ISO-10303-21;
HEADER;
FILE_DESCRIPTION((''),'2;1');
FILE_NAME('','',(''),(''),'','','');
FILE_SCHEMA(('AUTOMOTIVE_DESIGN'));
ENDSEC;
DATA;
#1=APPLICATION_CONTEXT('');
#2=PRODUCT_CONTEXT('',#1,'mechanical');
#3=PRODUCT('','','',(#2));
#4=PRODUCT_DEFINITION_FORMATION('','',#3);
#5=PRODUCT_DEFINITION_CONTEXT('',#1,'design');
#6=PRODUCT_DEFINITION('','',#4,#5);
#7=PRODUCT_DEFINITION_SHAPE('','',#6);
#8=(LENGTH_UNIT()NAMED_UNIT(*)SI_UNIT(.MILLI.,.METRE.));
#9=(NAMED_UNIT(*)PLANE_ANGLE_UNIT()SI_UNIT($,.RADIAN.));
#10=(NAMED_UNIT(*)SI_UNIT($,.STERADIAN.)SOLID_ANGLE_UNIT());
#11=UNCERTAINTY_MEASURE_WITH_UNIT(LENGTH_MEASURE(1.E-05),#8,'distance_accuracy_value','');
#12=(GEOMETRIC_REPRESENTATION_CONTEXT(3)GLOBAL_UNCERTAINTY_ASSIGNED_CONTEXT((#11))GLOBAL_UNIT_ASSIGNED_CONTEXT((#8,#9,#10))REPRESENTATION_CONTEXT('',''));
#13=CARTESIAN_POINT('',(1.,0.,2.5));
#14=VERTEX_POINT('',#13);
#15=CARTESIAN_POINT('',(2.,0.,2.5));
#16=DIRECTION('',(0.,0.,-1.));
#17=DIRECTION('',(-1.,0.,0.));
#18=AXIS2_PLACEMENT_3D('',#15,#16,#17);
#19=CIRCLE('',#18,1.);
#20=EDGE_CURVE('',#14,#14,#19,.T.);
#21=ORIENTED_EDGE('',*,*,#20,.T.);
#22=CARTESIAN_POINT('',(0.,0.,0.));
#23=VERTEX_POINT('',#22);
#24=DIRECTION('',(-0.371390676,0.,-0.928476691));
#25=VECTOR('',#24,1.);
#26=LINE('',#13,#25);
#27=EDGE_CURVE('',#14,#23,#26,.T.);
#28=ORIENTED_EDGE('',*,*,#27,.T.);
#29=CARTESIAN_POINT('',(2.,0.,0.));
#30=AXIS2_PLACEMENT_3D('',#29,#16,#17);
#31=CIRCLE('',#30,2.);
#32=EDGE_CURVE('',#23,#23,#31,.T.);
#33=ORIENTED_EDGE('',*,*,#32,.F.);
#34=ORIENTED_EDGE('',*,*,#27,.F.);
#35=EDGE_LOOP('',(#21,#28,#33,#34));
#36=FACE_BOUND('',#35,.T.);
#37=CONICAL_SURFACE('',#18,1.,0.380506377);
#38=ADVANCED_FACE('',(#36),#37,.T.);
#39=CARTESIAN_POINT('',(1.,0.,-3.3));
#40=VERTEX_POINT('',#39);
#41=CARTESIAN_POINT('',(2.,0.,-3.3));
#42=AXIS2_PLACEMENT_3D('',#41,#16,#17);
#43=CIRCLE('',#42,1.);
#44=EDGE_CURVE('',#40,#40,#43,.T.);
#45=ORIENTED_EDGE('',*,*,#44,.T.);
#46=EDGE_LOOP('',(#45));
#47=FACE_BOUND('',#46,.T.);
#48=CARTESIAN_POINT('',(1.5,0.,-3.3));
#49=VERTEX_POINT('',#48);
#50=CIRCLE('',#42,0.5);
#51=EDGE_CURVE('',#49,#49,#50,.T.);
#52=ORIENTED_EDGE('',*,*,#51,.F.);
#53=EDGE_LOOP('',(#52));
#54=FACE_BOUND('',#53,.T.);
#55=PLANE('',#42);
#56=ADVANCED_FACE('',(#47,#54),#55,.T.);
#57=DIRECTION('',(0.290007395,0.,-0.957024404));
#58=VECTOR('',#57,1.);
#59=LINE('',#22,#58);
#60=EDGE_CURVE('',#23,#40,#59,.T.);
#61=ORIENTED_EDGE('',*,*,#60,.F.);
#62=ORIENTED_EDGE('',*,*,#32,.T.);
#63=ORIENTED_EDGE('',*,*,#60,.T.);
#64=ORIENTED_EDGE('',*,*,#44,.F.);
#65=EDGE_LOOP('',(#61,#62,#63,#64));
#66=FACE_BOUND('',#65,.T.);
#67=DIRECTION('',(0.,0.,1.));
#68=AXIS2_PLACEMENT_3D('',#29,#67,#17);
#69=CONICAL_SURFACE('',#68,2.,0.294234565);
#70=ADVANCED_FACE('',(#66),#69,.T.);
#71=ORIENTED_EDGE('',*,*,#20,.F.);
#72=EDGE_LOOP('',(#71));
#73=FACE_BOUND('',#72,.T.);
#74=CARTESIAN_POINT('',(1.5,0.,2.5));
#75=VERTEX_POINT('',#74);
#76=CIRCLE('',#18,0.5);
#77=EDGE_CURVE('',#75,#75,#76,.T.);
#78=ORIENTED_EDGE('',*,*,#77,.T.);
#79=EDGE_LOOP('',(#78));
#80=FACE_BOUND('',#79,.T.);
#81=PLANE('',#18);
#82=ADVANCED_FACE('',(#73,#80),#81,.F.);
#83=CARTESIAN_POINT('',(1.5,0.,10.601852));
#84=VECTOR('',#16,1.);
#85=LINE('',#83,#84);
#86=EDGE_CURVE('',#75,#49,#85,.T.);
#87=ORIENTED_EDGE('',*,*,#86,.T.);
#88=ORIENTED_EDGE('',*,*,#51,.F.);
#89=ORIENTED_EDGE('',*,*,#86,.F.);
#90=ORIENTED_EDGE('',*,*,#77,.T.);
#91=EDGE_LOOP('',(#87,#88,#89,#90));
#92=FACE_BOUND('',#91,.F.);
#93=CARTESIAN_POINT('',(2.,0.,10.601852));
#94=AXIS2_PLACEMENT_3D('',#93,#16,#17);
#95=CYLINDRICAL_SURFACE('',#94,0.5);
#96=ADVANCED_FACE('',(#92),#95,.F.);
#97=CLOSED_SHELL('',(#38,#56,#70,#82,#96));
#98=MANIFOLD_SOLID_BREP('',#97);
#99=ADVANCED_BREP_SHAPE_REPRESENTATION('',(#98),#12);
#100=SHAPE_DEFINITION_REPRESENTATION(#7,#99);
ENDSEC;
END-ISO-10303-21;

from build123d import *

# Parameters (mm, degrees)
F3_D = 1


with BuildPart() as f1:
    # F0 (on Front) → F1 (revolve)
    with BuildSketch(Plane.XZ):
        Polygon((1, 2.5), (0, 0), (1, 0), align=None)
        Polygon((2, 2.5), (1, 2.5), (1, 0), (1, -3.3), (2, -3.3), align=None)
        Polygon((1, 0), (0, 0), (1, -3.3), align=None)
    revolve(axis=Axis((2, 0, -0.4), (0, 0, -1)))

    # F3 (through all)
    with Locations(Plane.XY.offset(2.5)):
        with Locations((2, 0)):
            Hole(F3_D / 2)


solid = f1.part
